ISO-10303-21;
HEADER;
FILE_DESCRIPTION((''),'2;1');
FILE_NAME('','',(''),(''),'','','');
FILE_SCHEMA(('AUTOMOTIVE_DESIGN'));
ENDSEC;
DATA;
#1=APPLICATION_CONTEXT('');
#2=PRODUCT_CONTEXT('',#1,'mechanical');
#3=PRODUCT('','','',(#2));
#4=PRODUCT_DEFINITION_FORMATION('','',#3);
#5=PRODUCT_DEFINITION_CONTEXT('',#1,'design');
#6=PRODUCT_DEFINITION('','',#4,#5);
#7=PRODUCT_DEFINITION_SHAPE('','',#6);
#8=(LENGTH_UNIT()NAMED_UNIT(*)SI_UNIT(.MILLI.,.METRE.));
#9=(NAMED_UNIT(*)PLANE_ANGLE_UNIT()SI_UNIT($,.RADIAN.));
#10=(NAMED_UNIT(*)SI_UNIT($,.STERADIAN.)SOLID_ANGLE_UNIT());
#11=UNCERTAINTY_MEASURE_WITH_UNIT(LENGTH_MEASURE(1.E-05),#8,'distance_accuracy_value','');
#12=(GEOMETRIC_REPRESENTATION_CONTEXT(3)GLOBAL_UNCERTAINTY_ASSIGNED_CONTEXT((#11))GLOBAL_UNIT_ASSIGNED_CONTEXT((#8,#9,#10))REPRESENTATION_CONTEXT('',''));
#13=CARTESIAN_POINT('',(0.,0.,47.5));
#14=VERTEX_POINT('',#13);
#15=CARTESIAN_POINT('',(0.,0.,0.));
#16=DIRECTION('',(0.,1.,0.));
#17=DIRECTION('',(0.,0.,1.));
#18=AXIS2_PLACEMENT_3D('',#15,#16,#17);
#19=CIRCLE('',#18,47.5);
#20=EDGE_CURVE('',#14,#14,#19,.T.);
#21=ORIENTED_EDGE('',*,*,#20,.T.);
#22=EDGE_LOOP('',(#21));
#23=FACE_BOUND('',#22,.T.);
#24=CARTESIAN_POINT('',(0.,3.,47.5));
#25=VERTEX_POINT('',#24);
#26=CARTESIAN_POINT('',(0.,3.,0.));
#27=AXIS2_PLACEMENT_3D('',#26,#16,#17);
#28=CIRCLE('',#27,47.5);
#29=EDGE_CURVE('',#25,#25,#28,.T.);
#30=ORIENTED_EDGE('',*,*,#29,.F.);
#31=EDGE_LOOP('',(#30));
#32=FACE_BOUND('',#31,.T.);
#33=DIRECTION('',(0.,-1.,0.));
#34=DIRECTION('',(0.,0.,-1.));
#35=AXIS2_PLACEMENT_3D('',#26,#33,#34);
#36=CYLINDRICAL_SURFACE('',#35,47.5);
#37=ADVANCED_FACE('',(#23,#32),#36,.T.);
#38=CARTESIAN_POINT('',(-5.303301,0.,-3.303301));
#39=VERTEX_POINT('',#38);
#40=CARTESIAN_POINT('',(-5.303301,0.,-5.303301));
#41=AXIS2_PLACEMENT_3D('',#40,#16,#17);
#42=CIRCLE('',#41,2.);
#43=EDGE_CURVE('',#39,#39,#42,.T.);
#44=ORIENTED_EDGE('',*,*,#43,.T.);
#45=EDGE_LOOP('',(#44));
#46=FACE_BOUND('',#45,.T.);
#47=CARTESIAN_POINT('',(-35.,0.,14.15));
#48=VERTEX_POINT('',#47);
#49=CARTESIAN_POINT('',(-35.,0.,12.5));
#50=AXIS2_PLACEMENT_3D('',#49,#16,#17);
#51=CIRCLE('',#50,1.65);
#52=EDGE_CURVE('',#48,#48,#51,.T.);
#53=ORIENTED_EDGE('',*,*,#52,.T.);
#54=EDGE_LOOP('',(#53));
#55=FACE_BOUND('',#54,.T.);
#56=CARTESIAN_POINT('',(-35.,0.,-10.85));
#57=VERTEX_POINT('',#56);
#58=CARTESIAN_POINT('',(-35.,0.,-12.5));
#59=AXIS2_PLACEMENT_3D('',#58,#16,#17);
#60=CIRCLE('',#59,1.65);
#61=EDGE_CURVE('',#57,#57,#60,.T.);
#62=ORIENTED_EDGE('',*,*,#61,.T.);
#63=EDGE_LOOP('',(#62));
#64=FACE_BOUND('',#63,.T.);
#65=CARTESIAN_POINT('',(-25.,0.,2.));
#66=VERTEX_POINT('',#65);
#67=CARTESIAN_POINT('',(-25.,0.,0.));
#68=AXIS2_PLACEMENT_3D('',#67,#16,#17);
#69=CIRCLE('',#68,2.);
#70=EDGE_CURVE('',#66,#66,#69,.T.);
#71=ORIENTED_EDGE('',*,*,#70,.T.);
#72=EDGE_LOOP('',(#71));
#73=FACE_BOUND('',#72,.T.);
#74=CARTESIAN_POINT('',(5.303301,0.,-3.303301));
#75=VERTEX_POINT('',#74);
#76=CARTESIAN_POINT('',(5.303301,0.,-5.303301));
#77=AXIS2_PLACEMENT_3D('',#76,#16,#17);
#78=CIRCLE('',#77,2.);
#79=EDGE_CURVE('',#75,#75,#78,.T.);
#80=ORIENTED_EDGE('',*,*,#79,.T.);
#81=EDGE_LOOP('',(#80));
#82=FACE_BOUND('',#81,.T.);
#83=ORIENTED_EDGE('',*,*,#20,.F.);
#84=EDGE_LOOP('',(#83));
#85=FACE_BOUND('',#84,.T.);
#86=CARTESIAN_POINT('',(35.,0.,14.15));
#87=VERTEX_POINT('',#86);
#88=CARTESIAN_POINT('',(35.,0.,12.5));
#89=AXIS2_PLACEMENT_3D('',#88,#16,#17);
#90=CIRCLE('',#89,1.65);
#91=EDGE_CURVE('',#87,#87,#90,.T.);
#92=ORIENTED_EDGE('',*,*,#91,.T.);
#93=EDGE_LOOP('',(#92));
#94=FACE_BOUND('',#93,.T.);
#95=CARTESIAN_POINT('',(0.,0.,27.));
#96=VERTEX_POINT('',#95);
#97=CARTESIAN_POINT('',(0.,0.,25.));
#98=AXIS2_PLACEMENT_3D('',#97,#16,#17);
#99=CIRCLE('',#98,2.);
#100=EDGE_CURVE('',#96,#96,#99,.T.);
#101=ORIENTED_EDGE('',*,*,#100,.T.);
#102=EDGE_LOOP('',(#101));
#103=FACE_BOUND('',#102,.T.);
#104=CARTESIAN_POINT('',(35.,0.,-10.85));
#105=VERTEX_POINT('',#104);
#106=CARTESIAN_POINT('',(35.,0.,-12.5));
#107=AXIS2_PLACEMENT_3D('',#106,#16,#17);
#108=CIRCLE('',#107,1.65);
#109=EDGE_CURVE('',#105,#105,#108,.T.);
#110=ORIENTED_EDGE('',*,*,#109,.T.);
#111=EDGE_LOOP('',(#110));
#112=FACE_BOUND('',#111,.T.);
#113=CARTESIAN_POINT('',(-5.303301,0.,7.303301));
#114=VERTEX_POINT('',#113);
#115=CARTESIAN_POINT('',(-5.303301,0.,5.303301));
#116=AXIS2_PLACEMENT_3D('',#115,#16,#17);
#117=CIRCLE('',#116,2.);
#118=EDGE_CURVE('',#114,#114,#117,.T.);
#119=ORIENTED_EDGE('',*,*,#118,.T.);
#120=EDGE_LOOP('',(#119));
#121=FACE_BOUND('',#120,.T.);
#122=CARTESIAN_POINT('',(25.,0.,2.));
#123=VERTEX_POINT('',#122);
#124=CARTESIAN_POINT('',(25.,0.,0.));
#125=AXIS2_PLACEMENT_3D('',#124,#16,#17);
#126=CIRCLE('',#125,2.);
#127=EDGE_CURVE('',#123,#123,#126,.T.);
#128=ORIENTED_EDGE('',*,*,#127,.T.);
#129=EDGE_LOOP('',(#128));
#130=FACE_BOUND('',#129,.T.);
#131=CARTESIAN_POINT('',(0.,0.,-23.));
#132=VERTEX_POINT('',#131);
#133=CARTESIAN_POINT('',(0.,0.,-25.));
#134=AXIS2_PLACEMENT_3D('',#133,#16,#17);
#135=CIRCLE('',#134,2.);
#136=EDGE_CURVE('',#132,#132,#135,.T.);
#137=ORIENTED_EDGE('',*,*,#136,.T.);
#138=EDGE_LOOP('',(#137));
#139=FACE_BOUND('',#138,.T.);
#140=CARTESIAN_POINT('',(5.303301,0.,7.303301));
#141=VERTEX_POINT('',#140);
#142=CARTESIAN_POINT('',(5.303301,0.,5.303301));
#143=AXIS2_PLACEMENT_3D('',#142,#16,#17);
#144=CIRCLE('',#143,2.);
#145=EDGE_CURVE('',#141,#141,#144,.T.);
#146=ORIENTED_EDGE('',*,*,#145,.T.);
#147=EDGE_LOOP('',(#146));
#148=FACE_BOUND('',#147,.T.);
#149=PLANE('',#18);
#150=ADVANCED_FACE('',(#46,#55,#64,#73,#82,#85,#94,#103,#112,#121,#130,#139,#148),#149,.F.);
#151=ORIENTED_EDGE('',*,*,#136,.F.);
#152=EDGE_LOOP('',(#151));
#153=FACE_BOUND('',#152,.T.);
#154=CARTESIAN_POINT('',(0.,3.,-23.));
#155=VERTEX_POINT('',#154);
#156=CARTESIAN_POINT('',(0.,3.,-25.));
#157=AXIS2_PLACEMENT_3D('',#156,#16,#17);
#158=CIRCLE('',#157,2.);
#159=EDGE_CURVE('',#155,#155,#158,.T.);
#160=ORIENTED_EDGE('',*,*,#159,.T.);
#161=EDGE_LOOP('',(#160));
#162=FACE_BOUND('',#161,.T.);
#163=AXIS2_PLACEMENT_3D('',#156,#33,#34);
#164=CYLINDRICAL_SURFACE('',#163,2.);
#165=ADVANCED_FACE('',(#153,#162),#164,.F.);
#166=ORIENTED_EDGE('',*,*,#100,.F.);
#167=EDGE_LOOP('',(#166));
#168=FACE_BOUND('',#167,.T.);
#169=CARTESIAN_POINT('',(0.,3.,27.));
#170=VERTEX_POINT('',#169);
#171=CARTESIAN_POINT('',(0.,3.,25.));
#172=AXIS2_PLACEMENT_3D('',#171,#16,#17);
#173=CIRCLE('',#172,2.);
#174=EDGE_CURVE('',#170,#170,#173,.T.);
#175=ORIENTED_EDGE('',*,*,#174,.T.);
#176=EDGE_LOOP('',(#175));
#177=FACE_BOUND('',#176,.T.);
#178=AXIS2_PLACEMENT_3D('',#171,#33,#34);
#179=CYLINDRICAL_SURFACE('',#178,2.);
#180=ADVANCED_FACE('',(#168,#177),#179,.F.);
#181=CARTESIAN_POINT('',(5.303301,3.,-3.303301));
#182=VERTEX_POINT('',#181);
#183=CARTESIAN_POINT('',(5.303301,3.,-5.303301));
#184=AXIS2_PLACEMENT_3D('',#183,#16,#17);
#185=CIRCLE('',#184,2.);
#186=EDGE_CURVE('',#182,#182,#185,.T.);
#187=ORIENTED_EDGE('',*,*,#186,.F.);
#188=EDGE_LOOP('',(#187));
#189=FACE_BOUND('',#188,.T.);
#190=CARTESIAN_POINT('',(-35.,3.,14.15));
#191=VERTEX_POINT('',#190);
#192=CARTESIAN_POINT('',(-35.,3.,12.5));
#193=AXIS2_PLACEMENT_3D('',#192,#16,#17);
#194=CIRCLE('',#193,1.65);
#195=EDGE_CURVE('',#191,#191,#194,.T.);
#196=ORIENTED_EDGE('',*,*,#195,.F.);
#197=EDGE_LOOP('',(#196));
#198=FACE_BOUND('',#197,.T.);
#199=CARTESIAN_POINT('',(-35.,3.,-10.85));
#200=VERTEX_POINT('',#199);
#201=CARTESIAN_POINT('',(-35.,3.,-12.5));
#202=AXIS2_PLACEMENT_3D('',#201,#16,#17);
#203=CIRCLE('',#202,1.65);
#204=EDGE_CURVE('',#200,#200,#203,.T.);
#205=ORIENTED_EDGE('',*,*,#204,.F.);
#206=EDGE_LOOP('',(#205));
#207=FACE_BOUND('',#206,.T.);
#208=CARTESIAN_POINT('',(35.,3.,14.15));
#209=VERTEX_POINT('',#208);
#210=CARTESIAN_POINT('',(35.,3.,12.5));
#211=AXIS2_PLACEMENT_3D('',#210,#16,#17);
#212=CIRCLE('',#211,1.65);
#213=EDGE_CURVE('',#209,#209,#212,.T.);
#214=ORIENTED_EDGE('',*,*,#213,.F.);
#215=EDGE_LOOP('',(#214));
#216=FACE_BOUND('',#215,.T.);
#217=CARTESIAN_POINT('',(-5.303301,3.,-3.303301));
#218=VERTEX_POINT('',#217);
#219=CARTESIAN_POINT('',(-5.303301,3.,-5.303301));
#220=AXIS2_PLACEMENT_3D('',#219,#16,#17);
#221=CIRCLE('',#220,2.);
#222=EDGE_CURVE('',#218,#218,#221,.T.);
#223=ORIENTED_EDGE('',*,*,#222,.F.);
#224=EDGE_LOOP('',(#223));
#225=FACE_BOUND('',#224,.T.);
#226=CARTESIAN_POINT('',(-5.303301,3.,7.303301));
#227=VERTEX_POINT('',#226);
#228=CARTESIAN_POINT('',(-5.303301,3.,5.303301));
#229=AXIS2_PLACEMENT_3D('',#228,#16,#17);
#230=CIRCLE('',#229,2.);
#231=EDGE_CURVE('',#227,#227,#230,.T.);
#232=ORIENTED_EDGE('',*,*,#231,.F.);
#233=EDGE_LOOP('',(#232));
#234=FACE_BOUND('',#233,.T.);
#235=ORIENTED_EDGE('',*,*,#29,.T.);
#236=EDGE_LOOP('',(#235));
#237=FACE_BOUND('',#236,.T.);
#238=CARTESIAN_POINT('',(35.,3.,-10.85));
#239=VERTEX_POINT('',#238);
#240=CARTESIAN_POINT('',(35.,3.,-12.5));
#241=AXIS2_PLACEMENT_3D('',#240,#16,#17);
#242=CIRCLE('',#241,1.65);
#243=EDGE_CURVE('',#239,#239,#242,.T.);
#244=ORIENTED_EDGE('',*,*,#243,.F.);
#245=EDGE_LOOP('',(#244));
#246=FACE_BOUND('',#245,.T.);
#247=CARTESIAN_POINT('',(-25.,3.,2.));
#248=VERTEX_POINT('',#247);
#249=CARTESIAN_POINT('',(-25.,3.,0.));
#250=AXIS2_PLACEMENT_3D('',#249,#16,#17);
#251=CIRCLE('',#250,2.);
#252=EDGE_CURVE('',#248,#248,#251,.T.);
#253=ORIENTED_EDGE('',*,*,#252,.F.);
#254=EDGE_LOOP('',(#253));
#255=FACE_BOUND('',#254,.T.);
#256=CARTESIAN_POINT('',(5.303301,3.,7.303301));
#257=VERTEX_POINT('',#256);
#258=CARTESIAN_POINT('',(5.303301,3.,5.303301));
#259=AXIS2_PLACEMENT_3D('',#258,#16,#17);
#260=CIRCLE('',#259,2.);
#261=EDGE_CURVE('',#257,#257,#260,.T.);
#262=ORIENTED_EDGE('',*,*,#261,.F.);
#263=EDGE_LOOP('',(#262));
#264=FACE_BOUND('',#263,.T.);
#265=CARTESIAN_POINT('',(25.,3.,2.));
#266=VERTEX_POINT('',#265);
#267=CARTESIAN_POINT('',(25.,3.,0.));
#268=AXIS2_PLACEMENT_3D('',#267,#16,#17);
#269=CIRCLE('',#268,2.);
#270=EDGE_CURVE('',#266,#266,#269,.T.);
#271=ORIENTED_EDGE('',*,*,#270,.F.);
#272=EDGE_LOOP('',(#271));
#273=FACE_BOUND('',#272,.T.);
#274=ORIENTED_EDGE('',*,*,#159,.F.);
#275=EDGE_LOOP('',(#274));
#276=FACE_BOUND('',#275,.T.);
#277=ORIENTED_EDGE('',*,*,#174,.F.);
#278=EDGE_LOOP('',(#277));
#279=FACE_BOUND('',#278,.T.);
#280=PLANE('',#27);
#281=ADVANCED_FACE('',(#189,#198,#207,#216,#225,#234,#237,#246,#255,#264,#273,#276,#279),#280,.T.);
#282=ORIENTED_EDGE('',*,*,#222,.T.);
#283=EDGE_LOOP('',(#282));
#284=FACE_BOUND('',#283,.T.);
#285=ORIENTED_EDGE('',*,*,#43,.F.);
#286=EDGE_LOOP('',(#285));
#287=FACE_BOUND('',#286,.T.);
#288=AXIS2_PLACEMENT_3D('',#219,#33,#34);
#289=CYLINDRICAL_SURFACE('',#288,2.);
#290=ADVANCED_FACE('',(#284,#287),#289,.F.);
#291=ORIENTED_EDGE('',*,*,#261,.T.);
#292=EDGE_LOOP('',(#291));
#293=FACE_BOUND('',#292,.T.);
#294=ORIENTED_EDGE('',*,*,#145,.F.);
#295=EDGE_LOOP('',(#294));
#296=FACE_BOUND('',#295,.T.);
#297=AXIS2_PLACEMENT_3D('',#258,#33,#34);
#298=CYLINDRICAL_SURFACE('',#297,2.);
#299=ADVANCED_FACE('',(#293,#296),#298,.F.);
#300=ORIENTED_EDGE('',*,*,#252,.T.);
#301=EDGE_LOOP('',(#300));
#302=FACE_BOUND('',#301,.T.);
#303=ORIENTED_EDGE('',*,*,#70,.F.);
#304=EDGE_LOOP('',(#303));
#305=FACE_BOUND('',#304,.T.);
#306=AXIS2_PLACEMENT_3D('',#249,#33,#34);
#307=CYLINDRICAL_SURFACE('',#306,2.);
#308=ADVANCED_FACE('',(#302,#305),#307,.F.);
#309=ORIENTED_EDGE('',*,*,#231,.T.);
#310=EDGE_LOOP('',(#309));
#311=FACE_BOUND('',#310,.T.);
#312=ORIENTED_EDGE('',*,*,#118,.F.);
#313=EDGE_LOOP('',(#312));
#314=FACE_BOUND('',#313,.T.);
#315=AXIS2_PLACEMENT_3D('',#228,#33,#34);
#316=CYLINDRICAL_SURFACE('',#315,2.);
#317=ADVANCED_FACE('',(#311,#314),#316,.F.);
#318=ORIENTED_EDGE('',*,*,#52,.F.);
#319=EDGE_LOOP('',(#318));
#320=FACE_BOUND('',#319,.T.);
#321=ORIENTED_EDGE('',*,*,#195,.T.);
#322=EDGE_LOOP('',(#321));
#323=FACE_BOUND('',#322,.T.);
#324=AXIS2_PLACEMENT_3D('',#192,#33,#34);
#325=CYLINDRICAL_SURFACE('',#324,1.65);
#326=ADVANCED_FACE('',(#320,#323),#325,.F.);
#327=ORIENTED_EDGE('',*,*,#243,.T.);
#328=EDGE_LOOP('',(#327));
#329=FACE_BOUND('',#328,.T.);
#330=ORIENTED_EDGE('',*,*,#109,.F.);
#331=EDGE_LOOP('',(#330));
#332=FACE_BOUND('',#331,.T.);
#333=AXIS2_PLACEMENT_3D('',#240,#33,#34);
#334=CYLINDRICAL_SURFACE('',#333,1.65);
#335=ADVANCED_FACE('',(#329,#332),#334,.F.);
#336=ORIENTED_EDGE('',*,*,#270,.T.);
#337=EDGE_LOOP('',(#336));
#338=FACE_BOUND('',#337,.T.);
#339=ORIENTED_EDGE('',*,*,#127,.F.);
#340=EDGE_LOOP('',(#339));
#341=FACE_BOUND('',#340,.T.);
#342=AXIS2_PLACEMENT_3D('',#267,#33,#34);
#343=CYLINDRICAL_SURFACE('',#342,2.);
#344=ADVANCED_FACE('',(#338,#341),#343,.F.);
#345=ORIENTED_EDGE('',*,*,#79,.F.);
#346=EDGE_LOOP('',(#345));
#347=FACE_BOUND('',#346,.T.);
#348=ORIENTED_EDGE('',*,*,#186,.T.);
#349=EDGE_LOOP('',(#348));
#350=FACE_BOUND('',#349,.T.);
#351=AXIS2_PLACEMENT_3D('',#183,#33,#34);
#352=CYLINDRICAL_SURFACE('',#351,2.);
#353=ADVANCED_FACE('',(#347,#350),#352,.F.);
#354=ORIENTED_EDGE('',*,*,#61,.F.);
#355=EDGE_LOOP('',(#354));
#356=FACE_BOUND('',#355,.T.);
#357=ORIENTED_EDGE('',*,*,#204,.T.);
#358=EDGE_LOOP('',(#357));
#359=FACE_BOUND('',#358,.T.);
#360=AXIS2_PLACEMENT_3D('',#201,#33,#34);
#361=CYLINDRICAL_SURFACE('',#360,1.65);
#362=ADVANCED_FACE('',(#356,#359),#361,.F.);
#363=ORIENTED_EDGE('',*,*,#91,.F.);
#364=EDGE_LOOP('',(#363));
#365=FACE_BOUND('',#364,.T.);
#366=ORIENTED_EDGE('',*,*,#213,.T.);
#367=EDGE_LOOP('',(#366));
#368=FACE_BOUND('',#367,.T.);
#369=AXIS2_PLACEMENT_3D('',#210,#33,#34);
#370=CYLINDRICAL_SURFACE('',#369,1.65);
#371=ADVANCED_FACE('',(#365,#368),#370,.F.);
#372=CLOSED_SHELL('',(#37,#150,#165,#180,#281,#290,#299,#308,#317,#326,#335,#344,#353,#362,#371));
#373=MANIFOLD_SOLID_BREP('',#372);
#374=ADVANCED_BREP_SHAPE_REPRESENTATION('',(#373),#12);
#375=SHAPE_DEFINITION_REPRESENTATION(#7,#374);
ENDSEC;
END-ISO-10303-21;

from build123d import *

# Parameters (mm, degrees)
SKETCH_1_R      = 47.5
SKETCH_1_R_2    = 2
SKETCH_1_R_3    = 1.65
EXTRUDE_1_DEPTH = 3


with BuildPart() as part:
    # ｽｹｯﾁ1 → ﾎﾞｽ - 押し出し1 (new body)
    with BuildSketch(Plane(origin=(0, 0, 0), x_dir=(1, 0, 0), z_dir=(0, 1, 0))):
        with Locations(Location((0, 0, 0), (0, 0, 270))):
            Circle(SKETCH_1_R)
        with Locations(Location((5.303300859, 5.303300859, 0), (0, 0, 270))):
            Circle(SKETCH_1_R_2, mode=Mode.SUBTRACT)
        with Locations(Location((5.303300859, -5.303300859, 0), (0, 0, 270))):
            Circle(SKETCH_1_R_2, mode=Mode.SUBTRACT)
        with Locations(Location((-5.303300859, -5.303300859, 0), (0, 0, 270))):
            Circle(SKETCH_1_R_2, mode=Mode.SUBTRACT)
        with Locations(Location((-5.303300859, 5.303300859, 0), (0, 0, 270))):
            Circle(SKETCH_1_R_2, mode=Mode.SUBTRACT)
        with Locations(Location((25, 0, 0), (0, 0, 270))):
            Circle(SKETCH_1_R_2, mode=Mode.SUBTRACT)
        with Locations(Location((0, -25, 0), (0, 0, 270))):
            Circle(SKETCH_1_R_2, mode=Mode.SUBTRACT)
        with Locations(Location((-25, 0, 0), (0, 0, 270))):
            Circle(SKETCH_1_R_2, mode=Mode.SUBTRACT)
        with Locations(Location((0, 25, 0), (0, 0, 270))):
            Circle(SKETCH_1_R_2, mode=Mode.SUBTRACT)
        with Locations(Location((35, 12.5, 0), (0, 0, 270))):
            Circle(SKETCH_1_R_3, mode=Mode.SUBTRACT)
        with Locations(Location((35, -12.5, 0), (0, 0, 270))):
            Circle(SKETCH_1_R_3, mode=Mode.SUBTRACT)
        with Locations(Location((-35, -12.5, 0), (0, 0, 270))):
            Circle(SKETCH_1_R_3, mode=Mode.SUBTRACT)
        with Locations(Location((-35, 12.5, 0), (0, 0, 270))):
            Circle(SKETCH_1_R_3, mode=Mode.SUBTRACT)
    extrude(amount=EXTRUDE_1_DEPTH)


solid = part.part
